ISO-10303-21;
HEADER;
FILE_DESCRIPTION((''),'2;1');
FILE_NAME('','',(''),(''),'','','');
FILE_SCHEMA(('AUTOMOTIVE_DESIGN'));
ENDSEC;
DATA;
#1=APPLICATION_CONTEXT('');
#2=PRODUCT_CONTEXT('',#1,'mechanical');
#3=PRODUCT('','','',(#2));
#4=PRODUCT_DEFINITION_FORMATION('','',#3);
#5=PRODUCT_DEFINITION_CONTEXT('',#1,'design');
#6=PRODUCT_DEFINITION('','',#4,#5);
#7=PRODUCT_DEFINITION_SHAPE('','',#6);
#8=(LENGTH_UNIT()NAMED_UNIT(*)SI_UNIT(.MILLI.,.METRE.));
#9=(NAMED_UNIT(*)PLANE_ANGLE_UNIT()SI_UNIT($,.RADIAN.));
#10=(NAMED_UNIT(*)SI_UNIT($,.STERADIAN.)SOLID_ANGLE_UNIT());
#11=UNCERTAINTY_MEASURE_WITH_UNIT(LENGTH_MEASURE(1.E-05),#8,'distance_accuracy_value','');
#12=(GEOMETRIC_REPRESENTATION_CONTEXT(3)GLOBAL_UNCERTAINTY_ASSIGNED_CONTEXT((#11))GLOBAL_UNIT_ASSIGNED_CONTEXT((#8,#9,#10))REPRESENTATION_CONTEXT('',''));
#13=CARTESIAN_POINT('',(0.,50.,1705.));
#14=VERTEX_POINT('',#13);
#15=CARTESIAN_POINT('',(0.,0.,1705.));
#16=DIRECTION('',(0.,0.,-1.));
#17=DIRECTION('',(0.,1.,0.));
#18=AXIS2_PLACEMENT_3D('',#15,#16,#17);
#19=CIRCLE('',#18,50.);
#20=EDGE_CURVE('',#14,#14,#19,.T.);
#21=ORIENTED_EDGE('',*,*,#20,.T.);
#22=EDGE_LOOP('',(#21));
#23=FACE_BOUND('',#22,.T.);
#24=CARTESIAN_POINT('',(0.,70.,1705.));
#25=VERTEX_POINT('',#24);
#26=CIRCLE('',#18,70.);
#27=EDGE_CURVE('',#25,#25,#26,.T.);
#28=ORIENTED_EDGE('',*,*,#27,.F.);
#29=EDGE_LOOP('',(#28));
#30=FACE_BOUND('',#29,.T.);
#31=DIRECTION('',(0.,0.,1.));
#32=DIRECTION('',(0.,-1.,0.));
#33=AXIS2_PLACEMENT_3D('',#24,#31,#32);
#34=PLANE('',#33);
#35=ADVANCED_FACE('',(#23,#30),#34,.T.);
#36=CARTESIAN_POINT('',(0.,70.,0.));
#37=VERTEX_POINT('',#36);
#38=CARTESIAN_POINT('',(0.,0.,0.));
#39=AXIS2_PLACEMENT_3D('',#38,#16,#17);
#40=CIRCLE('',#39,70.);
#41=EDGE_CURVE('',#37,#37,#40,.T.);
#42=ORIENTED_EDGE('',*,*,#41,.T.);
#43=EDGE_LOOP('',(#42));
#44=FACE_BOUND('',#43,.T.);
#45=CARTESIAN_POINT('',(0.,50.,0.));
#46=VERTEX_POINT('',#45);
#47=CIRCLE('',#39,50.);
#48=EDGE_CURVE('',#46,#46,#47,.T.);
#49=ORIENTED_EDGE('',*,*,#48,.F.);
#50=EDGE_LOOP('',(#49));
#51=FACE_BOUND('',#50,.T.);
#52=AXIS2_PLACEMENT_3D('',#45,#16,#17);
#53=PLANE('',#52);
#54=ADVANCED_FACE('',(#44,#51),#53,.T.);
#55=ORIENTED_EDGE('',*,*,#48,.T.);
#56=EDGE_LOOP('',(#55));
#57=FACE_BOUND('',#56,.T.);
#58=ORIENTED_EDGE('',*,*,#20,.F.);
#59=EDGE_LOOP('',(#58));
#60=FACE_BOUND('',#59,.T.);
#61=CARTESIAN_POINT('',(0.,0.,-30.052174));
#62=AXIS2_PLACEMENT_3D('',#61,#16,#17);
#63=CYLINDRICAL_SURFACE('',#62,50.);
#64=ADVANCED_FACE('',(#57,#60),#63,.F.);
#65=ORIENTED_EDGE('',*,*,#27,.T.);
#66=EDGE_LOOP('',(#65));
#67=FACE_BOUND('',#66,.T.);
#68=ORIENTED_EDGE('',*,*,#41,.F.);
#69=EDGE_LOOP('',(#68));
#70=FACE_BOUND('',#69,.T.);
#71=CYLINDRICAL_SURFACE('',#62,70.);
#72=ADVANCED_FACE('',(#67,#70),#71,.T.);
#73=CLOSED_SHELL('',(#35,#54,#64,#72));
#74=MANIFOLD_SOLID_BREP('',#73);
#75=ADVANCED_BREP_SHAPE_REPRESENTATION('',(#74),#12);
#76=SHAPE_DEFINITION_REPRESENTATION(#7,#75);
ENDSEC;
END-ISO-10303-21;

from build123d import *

# Parameters (mm, degrees)
SKETCH1_W = 1705
SKETCH1_H = 20


with BuildPart() as part:
    # Sketch1 → Revolve1 (revolve)
    with BuildSketch(Plane(origin=(0, 0, 0), x_dir=(0, 0, -1), z_dir=(1, 0, 0))):
        with Locations((-852.5, 60)):
            Rectangle(SKETCH1_W, SKETCH1_H)
    revolve(axis=Axis((0, 0, -30.052173913), (0, 0, 1)))


solid = part.part
